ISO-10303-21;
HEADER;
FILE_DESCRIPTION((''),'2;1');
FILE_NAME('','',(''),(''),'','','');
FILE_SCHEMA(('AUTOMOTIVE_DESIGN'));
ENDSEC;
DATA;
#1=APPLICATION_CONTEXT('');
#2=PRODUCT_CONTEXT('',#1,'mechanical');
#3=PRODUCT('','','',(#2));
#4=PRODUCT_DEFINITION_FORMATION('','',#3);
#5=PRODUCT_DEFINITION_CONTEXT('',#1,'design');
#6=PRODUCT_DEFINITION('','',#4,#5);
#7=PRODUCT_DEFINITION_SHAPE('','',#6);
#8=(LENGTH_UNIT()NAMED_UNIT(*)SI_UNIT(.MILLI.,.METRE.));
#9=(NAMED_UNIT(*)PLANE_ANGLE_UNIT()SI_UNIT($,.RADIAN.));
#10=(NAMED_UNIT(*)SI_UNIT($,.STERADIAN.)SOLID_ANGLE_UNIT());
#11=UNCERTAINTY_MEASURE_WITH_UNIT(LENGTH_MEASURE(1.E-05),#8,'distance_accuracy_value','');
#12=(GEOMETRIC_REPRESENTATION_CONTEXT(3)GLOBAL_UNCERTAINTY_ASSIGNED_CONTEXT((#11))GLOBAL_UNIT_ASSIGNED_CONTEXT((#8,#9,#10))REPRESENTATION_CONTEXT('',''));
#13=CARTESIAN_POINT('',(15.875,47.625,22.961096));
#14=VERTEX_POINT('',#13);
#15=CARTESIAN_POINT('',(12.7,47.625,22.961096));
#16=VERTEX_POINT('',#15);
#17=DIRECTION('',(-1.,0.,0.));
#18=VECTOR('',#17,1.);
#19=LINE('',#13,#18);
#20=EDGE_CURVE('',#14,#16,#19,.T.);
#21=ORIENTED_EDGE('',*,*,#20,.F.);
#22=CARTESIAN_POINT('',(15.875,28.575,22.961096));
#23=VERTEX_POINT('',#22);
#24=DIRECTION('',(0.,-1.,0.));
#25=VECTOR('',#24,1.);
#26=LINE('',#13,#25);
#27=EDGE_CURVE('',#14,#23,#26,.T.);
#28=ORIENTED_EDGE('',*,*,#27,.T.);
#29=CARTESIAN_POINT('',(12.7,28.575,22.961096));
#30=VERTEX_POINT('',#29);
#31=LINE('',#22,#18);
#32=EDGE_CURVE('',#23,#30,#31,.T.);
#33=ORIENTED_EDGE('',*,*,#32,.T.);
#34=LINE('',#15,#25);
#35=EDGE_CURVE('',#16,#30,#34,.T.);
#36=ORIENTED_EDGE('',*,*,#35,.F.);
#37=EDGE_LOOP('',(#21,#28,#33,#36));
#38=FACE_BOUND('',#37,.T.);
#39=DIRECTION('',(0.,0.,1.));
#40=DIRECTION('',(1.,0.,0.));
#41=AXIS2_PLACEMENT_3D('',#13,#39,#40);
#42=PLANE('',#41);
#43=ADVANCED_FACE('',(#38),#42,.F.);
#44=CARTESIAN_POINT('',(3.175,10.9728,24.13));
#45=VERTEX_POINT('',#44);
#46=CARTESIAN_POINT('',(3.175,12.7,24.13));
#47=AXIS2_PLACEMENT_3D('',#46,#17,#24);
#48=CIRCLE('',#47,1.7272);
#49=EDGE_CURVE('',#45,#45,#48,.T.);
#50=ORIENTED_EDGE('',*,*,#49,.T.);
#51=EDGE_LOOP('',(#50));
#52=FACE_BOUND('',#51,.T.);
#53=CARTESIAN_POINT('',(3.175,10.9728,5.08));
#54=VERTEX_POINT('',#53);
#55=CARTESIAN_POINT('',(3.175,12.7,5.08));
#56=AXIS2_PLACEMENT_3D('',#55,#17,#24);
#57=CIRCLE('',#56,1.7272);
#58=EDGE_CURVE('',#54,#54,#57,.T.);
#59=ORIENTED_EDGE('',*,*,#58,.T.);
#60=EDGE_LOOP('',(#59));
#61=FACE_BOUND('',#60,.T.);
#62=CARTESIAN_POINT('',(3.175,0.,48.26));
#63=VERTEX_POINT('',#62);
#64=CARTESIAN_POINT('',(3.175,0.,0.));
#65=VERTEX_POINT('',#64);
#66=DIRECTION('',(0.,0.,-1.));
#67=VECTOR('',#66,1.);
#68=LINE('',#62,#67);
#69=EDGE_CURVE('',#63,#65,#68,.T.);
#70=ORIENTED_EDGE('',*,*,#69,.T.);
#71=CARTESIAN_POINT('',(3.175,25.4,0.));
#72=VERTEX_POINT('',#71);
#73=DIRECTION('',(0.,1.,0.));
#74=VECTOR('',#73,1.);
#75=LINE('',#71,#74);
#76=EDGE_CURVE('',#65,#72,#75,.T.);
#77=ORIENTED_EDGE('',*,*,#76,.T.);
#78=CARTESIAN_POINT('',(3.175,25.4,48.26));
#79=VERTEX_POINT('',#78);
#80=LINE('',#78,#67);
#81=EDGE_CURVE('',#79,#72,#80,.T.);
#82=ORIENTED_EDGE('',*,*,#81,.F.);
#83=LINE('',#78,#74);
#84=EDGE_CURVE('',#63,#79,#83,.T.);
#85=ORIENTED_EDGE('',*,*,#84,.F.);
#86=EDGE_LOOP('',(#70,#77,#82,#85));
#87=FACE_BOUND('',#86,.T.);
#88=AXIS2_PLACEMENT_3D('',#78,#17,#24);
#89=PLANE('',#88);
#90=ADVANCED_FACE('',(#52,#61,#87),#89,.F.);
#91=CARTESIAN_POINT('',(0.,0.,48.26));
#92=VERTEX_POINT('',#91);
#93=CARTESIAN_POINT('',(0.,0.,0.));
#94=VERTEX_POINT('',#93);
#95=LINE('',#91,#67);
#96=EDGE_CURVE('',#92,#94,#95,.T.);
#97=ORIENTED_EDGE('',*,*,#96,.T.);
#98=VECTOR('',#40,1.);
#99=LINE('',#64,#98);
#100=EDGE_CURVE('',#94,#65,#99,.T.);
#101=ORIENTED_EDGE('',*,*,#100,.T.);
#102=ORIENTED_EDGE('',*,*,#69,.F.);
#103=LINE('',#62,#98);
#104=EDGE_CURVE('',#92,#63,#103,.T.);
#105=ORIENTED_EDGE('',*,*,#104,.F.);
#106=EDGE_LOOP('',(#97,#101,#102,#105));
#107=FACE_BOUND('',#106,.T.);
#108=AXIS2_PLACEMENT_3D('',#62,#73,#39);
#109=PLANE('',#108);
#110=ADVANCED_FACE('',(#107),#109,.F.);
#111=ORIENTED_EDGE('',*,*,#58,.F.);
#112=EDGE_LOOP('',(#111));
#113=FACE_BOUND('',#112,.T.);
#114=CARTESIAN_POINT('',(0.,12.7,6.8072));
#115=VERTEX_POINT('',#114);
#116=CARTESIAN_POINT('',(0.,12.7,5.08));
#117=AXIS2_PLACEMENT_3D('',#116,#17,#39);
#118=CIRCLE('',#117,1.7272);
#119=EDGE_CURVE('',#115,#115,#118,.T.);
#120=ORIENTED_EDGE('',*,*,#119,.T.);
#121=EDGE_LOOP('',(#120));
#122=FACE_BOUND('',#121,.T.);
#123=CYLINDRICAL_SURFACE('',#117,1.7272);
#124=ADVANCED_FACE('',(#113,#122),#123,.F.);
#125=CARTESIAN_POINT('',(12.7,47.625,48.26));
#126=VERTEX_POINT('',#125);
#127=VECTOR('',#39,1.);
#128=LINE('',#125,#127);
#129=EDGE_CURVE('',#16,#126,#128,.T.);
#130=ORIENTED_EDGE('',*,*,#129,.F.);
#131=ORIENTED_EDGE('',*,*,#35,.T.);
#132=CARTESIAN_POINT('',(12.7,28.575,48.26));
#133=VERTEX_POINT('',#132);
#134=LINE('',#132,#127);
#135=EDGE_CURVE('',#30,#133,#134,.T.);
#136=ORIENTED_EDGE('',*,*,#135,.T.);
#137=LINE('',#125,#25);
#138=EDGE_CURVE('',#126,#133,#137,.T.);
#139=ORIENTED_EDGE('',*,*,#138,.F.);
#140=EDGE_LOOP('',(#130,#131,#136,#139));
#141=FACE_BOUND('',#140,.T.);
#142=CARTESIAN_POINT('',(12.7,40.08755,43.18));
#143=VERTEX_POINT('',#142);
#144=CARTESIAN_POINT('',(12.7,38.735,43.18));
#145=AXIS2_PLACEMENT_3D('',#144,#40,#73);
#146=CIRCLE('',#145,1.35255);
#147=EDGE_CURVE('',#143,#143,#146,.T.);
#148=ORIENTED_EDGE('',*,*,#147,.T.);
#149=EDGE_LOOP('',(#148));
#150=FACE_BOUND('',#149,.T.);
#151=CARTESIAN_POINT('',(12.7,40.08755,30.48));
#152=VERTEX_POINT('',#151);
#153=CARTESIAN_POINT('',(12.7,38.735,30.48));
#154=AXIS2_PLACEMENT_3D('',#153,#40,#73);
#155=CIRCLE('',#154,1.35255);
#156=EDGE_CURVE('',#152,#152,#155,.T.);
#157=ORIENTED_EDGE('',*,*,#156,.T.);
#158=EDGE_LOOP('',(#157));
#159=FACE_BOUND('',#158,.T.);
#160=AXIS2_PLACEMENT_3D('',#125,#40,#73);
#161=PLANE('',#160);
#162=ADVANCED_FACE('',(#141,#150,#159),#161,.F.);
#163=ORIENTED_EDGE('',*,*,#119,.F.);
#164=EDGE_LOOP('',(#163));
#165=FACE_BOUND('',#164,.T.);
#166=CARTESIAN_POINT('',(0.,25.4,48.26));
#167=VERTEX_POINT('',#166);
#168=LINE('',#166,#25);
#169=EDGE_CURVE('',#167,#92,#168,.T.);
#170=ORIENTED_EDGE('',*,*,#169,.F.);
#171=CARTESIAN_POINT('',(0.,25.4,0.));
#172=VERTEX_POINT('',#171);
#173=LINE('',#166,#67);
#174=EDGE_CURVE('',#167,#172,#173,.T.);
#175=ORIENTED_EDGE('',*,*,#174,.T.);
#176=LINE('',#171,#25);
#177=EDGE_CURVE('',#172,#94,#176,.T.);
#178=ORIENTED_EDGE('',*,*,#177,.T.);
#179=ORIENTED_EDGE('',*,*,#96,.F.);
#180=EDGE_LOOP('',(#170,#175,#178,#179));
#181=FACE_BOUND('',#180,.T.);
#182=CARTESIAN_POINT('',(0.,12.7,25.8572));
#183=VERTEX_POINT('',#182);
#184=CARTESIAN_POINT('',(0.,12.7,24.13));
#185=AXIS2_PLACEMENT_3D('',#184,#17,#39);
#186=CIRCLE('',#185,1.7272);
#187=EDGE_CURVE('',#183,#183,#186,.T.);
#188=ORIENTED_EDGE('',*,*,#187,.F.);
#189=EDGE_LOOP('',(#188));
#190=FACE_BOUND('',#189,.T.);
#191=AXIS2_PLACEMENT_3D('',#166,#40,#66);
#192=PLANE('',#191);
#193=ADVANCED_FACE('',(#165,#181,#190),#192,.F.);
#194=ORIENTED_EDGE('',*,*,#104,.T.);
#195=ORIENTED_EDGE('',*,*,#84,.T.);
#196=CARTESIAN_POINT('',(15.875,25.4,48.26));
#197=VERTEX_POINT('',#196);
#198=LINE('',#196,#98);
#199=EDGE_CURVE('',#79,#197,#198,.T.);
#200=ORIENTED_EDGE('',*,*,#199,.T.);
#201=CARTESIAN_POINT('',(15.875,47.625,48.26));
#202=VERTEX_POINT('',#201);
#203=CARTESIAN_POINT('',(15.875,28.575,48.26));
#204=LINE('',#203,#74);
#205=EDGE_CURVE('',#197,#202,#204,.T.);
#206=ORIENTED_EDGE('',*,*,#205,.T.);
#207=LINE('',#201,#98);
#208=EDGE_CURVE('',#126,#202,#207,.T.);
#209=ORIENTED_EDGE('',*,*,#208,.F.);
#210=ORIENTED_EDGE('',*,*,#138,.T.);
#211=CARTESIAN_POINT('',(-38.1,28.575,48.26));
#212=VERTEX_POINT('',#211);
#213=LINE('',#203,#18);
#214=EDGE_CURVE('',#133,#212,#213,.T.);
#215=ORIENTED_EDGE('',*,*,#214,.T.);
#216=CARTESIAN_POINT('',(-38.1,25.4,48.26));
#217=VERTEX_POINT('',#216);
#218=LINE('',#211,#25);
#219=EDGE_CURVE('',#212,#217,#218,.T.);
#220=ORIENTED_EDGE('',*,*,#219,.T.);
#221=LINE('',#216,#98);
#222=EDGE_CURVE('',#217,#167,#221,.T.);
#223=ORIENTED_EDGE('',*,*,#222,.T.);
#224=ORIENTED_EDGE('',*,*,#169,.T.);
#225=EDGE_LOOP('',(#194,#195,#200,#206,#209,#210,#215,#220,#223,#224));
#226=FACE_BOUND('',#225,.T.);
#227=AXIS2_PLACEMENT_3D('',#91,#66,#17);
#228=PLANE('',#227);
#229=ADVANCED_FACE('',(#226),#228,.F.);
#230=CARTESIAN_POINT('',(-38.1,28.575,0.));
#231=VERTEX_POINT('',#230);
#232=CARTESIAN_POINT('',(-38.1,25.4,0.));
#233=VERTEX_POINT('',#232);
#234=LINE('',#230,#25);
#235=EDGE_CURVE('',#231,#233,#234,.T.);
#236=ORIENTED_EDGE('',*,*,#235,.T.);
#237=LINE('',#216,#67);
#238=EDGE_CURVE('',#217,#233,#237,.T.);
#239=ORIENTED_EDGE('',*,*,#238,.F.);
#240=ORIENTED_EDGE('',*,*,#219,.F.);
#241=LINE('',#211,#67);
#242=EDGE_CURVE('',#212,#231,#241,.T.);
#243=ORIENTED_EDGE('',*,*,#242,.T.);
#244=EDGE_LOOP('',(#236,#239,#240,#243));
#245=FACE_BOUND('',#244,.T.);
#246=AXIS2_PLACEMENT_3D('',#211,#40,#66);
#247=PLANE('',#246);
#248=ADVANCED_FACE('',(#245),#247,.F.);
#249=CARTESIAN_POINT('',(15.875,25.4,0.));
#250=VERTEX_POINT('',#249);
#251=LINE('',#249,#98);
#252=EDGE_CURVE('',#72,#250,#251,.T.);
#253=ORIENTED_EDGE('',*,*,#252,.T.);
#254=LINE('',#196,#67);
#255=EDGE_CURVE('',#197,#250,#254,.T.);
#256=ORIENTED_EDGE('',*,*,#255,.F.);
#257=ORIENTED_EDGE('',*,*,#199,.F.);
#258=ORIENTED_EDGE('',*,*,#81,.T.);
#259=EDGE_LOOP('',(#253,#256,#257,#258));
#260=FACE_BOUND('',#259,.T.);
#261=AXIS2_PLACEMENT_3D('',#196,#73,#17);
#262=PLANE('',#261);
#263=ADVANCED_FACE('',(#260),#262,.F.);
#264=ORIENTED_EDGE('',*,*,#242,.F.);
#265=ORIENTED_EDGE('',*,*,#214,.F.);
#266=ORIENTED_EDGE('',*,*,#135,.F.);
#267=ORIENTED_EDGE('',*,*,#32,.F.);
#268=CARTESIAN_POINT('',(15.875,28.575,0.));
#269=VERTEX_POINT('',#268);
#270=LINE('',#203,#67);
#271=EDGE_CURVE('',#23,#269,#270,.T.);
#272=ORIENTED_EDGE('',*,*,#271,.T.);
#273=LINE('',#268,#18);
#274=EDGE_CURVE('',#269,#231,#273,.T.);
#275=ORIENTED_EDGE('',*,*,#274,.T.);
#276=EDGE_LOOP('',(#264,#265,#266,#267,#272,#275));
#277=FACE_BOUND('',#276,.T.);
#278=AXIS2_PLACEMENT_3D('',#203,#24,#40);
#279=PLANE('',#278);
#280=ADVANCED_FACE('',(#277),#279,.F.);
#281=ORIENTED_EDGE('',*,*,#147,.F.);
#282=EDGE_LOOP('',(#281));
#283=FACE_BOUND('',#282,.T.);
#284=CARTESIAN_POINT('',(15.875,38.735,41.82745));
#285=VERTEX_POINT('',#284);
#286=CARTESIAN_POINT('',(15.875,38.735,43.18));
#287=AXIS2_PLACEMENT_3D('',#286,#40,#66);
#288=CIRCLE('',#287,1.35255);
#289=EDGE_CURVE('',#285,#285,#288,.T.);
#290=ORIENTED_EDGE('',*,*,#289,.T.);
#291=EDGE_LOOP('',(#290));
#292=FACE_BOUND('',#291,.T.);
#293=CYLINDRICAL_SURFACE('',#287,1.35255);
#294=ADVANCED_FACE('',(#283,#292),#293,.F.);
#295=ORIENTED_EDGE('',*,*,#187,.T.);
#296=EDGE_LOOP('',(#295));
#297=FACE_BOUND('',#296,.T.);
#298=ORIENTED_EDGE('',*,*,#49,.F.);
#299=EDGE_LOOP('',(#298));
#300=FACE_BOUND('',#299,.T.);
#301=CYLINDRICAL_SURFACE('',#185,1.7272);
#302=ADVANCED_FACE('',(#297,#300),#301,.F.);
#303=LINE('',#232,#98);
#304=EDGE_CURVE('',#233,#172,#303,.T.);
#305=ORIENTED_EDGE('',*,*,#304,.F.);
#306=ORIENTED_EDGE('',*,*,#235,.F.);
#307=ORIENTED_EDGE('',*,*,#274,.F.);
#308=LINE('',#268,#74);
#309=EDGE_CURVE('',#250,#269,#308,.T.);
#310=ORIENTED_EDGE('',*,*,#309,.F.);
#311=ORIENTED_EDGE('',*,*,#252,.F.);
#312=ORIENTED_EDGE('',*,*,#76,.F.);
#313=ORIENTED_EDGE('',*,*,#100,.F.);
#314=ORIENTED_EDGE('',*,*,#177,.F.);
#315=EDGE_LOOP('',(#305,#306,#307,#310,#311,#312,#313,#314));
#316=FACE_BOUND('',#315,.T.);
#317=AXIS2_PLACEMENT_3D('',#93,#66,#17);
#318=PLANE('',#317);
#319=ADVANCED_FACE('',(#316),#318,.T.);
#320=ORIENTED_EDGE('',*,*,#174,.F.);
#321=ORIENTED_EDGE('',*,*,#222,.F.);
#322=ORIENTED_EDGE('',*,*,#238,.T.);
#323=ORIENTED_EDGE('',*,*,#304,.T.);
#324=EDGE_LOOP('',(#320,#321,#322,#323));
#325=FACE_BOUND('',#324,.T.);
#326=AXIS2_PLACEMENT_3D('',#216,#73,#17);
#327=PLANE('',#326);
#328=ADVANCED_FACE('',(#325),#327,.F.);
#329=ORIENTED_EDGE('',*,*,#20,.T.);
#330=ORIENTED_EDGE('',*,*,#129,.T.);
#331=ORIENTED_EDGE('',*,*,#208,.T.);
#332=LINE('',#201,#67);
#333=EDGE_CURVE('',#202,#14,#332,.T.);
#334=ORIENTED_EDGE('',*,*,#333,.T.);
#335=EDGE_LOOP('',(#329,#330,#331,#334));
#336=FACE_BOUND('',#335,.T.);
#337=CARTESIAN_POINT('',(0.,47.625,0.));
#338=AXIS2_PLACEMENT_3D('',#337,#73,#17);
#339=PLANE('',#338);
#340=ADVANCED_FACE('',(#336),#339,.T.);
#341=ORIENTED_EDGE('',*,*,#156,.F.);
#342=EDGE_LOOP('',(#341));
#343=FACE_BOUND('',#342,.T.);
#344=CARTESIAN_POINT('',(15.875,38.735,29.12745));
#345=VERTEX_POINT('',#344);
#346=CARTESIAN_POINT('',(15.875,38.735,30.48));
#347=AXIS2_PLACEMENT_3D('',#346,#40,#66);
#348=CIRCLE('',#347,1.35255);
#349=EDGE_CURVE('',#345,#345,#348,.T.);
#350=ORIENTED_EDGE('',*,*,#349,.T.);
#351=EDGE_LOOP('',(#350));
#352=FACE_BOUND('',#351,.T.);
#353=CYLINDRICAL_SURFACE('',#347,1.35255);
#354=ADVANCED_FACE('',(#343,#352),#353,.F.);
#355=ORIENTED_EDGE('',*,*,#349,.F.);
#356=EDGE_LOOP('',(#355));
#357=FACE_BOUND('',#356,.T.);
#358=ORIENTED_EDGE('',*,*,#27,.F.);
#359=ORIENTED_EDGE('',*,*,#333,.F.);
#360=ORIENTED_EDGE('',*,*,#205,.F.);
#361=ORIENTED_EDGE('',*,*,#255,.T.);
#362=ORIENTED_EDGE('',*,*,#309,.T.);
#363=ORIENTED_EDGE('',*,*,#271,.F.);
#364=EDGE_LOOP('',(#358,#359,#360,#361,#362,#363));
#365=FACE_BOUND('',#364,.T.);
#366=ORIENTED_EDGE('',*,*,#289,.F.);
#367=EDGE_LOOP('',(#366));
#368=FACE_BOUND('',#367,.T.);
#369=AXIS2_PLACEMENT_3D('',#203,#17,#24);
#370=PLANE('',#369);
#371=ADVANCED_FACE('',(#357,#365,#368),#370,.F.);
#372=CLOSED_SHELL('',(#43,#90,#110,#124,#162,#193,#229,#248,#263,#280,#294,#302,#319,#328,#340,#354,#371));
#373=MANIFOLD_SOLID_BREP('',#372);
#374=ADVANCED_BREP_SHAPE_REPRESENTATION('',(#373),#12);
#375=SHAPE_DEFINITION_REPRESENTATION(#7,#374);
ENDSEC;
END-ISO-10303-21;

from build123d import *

# Parameters (mm, degrees)
BOSS_EXTRUDE1_DEPTH       = 48.26
SKETCH2_W                 = 3.175
SKETCH2_H                 = 25.298904356
BOSS_EXTRUDE2_DEPTH       = 19.05
TAP_DRILL_FOR_6_32_TAP1_D = 2.7051
TAP_DRILL_FOR_8_32_TAP1_D = 3.4544


with BuildPart() as part:
    # Sketch1 → Boss-Extrude1 (new body)
    with BuildSketch(Plane.XY):
        Polygon((15.875, 28.575), (-38.1, 28.575), (-38.1, 25.4), (0, 25.4), (0, 0), (3.175, 0), (3.175, 25.4), (15.875, 25.4), align=None)
    extrude(amount=BOSS_EXTRUDE1_DEPTH)

    # Sketch2 → Boss-Extrude2 (add)
    with BuildSketch(Plane(origin=(0, 28.575, 0), x_dir=(1, 0, 0), z_dir=(0, 1, 0))):
        with Locations((14.2875, -35.610547822)):
            Rectangle(SKETCH2_W, SKETCH2_H)
    extrude(amount=BOSS_EXTRUDE2_DEPTH)

    # Tap Drill for #6-32 Tap1 (through all)
    with Locations(Plane(origin=(15.875, 0, 0), x_dir=(0, 0, -1), z_dir=(1, 0, 0))):
        with Locations((-43.18, 38.735), (-30.48, 38.735)):
            Hole(TAP_DRILL_FOR_6_32_TAP1_D / 2)

    # Tap Drill for #8-32 Tap1 (through all)
    with Locations(Plane.ZY):
        with Locations((5.08, 12.7), (24.13, 12.7)):
            Hole(TAP_DRILL_FOR_8_32_TAP1_D / 2)


solid = part.part
